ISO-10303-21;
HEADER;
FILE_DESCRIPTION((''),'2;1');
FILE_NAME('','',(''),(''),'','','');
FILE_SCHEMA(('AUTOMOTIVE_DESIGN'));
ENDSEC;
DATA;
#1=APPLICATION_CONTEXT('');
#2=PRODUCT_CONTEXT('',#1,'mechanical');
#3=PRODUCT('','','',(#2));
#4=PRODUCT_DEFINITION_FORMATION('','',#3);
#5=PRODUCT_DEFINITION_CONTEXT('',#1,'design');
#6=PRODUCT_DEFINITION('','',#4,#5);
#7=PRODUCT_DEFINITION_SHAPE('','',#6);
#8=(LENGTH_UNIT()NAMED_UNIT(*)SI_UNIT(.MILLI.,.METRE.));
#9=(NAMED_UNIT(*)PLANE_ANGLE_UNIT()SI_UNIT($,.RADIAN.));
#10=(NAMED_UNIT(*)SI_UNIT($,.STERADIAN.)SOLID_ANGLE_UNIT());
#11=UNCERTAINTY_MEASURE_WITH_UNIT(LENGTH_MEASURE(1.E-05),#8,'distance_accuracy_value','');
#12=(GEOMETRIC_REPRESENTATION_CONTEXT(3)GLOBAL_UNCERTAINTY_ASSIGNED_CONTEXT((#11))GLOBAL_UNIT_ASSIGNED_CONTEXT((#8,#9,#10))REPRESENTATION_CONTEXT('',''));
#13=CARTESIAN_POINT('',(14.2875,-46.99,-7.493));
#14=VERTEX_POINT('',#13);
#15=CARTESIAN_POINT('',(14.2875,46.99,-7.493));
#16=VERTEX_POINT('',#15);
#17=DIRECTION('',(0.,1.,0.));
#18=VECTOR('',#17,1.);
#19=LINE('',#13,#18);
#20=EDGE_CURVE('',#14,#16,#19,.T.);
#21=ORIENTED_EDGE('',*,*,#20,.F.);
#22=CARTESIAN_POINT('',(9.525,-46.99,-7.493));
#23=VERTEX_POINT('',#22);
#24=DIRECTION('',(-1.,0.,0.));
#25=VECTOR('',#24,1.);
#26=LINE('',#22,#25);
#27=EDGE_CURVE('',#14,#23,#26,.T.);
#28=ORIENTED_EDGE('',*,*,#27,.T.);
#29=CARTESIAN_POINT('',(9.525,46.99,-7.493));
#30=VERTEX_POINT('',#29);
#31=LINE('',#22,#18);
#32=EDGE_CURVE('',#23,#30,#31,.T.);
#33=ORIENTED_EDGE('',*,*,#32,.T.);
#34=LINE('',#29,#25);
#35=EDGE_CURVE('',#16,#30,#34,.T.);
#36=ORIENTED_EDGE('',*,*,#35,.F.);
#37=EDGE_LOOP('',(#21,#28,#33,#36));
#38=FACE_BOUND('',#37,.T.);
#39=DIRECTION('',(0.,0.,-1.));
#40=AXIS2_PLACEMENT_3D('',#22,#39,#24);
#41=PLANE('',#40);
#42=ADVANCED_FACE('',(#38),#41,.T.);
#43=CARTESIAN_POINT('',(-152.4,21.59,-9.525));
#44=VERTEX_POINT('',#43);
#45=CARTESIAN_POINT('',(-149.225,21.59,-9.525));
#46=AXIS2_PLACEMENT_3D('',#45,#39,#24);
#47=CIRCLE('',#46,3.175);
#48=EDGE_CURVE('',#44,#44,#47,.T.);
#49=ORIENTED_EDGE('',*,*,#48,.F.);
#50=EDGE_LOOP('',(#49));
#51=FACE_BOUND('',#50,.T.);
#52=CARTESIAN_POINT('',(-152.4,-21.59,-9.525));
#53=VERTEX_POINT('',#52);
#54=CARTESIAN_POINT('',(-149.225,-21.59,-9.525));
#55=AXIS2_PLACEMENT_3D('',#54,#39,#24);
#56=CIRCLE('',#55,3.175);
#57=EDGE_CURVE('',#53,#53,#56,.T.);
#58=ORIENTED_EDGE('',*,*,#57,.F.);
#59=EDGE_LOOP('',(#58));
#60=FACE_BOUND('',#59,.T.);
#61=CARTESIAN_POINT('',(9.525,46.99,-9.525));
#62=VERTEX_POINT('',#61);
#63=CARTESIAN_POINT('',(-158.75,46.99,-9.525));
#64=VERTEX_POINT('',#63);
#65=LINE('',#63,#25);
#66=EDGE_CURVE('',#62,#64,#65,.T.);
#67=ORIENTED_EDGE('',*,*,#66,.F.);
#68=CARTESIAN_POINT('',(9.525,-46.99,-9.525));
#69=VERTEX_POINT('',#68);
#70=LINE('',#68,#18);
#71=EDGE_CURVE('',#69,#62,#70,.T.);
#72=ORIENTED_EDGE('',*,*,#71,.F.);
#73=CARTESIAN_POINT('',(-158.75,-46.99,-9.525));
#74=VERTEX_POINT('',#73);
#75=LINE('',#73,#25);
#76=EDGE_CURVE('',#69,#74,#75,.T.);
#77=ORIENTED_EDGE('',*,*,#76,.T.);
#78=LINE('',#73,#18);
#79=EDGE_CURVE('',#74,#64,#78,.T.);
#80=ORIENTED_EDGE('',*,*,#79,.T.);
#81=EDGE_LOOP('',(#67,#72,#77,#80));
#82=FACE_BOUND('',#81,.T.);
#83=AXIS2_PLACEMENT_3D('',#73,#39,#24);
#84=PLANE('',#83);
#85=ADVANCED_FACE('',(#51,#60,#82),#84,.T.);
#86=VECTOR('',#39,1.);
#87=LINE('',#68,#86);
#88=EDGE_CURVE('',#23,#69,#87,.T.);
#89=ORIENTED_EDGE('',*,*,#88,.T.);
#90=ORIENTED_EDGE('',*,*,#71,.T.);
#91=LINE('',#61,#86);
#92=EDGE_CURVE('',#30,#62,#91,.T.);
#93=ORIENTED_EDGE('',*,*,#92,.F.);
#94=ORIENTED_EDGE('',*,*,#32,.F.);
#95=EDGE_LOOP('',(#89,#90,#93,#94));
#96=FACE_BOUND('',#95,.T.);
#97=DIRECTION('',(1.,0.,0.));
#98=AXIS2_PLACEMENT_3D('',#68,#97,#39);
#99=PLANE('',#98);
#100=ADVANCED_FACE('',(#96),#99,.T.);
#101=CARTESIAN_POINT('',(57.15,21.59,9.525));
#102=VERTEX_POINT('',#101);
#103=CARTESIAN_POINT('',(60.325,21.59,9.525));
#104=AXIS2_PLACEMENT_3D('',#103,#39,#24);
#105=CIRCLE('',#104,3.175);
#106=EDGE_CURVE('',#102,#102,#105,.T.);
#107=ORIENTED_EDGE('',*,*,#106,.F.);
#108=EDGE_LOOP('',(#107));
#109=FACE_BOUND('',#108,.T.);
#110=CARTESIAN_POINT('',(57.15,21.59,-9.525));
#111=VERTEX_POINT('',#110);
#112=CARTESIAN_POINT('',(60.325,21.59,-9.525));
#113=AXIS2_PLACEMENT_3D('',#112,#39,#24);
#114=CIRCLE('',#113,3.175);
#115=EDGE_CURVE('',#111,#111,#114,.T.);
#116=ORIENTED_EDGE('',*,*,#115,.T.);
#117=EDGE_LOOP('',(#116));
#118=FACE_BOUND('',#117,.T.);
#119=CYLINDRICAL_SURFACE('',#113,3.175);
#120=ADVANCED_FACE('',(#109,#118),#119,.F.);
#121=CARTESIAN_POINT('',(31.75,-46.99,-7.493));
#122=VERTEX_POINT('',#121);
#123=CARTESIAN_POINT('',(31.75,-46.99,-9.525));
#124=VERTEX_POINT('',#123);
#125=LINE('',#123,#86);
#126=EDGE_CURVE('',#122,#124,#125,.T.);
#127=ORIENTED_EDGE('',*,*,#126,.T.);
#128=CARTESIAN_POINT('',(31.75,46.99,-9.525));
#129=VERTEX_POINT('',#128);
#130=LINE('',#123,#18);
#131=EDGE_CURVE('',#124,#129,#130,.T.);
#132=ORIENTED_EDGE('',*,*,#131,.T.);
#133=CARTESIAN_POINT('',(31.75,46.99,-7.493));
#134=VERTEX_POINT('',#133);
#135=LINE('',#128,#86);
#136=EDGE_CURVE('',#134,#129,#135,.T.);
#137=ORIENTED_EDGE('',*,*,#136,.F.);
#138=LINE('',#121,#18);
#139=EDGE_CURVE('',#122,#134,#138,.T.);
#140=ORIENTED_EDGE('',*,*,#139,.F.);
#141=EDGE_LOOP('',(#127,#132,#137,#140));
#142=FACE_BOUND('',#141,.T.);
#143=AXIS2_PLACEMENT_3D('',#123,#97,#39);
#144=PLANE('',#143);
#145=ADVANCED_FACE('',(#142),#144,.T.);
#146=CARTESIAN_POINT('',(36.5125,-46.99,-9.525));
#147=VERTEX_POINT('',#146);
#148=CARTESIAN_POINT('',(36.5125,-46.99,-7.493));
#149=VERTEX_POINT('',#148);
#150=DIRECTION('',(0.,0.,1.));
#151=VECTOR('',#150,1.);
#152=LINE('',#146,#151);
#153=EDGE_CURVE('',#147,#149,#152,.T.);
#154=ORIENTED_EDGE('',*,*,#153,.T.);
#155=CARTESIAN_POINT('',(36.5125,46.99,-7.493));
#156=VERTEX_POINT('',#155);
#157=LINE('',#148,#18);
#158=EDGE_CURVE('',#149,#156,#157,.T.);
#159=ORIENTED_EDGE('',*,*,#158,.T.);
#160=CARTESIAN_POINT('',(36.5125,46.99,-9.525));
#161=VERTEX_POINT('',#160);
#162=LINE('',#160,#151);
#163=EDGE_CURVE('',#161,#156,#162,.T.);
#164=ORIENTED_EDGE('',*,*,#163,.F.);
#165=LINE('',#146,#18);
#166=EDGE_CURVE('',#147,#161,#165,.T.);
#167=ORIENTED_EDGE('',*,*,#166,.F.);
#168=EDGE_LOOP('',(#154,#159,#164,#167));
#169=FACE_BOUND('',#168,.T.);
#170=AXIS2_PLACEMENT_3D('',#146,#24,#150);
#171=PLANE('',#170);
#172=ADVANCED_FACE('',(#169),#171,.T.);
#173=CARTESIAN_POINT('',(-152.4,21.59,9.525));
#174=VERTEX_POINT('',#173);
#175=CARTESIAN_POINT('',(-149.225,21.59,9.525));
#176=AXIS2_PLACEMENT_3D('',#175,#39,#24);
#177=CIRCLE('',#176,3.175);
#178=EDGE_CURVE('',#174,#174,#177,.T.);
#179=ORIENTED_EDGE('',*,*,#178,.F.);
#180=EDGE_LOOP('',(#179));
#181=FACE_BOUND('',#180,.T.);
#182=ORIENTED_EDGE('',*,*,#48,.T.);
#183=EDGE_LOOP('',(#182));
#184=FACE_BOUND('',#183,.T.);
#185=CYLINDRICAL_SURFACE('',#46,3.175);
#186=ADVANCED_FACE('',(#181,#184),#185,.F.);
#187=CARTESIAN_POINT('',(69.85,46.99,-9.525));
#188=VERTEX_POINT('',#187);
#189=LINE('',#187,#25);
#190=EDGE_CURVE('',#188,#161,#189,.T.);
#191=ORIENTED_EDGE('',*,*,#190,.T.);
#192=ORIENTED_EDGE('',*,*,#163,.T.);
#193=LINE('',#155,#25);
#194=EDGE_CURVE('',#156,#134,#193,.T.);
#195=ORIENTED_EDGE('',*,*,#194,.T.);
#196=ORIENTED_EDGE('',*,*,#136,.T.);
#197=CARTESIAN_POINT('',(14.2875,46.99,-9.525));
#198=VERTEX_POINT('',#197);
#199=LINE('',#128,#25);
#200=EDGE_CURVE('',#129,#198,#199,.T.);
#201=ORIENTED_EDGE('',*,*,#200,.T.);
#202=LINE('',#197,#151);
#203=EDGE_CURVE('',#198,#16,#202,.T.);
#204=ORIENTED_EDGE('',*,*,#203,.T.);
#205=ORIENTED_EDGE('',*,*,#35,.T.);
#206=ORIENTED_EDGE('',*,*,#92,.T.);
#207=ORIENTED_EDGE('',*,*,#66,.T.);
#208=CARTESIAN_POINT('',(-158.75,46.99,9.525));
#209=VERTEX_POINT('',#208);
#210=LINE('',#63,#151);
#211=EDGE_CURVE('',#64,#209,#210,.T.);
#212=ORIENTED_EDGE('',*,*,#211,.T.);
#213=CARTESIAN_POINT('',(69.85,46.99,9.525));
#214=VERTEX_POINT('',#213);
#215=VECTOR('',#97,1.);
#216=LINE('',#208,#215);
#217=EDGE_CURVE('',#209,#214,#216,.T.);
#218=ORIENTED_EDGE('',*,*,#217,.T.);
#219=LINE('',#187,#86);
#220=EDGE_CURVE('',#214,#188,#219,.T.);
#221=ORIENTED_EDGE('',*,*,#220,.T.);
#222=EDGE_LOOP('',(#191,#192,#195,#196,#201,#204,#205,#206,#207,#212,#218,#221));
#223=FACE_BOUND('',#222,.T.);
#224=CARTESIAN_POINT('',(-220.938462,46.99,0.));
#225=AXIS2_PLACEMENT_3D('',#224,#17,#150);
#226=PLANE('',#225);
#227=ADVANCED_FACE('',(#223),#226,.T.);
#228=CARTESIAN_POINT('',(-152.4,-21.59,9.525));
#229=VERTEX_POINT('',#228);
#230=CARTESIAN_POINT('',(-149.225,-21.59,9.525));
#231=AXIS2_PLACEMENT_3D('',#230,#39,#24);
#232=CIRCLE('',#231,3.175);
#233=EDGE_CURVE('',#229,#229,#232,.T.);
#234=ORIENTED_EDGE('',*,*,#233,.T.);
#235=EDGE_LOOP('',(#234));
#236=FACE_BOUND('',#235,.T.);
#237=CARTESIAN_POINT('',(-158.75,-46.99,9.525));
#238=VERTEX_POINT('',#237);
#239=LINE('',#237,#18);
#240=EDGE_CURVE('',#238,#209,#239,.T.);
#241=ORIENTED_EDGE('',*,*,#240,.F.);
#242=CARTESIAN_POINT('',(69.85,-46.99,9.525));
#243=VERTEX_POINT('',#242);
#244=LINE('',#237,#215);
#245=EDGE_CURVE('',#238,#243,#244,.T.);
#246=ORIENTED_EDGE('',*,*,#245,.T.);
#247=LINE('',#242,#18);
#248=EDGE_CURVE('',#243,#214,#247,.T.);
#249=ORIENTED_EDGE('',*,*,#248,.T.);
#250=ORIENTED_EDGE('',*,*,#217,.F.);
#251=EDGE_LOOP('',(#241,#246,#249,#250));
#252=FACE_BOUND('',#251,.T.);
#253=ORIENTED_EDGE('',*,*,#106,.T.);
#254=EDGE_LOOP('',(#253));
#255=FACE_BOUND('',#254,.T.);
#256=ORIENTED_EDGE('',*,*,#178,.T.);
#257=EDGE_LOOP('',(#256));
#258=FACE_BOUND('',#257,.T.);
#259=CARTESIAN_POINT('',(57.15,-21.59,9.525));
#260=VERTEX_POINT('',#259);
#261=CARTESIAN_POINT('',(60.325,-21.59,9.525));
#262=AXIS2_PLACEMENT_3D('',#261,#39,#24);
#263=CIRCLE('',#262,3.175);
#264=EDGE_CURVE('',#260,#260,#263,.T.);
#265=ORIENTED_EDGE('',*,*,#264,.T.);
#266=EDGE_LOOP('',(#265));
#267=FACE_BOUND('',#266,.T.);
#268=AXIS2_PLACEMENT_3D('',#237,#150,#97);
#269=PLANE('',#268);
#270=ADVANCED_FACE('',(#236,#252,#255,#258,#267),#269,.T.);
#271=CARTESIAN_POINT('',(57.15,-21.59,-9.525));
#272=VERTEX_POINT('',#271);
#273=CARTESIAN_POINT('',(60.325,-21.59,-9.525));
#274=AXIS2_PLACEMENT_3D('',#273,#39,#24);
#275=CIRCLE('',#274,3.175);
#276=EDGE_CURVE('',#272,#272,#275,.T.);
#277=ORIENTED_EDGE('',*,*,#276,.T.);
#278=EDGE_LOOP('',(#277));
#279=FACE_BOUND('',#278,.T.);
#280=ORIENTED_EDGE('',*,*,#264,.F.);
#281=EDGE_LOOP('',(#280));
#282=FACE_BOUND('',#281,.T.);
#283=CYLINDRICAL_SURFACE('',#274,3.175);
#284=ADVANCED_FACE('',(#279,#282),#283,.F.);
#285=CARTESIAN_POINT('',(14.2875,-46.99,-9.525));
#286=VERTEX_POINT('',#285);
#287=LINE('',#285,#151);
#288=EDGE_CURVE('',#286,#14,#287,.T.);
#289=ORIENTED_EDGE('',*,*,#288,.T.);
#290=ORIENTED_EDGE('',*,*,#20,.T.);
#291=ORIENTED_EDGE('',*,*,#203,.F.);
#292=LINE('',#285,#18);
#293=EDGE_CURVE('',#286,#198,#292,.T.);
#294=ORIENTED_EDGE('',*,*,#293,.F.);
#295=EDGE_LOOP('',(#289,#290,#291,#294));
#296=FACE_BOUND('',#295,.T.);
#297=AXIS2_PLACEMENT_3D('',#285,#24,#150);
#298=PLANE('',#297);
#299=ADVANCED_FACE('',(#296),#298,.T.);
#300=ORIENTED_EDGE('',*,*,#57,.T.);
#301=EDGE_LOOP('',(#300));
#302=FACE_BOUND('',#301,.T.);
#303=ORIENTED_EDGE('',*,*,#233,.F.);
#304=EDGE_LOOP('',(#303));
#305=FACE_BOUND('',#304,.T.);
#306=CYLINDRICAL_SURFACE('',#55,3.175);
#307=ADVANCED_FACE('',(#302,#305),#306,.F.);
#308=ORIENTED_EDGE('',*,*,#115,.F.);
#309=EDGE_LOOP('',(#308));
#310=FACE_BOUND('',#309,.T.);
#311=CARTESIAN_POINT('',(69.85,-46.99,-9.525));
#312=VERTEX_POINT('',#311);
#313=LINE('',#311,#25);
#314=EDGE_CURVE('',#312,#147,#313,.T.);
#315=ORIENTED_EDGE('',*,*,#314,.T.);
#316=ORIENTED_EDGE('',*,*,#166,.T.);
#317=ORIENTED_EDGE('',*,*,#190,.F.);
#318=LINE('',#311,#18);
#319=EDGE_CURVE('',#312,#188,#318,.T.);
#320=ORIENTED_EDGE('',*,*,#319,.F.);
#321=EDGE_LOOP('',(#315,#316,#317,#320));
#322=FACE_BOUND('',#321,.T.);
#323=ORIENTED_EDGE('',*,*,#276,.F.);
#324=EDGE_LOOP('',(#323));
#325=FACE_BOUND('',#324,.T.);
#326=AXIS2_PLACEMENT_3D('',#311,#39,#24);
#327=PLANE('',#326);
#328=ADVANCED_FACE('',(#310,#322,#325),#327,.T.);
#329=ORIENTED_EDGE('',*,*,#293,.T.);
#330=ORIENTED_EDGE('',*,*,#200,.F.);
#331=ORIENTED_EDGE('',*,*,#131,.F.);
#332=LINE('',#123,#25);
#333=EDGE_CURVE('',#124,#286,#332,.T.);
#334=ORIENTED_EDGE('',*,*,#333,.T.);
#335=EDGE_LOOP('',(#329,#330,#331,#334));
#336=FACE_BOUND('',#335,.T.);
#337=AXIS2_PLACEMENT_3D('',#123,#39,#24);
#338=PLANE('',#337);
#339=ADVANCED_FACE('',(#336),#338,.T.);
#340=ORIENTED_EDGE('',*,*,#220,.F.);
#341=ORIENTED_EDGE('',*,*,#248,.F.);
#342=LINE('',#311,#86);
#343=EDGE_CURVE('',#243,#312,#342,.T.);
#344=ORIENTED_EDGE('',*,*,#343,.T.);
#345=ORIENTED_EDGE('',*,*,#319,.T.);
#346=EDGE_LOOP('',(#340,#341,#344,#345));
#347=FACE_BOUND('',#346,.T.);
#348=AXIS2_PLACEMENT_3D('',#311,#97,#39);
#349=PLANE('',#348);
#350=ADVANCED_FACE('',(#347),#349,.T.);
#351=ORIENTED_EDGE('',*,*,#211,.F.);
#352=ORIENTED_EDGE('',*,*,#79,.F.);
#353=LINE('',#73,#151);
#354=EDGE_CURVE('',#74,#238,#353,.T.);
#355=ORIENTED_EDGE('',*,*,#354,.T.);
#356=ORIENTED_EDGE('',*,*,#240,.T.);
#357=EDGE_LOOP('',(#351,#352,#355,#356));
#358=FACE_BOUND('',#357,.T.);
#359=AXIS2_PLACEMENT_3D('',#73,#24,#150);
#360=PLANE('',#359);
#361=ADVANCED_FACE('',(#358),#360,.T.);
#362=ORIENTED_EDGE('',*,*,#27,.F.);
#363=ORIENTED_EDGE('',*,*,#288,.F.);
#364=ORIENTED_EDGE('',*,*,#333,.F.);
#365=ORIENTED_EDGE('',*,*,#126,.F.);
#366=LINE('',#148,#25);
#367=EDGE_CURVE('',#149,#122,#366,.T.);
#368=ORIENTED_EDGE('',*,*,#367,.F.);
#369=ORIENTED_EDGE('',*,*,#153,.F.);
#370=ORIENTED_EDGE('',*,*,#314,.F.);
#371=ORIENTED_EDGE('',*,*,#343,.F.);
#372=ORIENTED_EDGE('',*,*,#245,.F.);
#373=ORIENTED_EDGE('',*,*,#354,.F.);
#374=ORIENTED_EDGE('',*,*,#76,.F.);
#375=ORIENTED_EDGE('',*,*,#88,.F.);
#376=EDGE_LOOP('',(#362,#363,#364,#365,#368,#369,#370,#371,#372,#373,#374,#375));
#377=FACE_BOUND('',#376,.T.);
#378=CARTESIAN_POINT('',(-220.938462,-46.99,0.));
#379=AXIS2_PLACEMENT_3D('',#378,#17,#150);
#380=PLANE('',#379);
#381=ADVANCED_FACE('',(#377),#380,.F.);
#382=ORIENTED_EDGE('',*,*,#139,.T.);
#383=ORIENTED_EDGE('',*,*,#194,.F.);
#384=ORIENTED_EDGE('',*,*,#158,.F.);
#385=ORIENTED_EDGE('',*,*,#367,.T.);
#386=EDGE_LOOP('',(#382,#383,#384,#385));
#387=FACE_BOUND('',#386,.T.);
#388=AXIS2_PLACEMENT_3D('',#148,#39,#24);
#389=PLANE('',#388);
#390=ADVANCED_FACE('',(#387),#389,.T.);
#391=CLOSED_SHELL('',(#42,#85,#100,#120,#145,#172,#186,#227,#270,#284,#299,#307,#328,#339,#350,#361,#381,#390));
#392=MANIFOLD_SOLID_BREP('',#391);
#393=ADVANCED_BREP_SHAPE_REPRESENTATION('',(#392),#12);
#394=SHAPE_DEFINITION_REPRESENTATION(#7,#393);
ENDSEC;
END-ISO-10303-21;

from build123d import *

# Parameters (mm, degrees)
BOSS_EXTRUDE2_DEPTH = 46.99


with BuildPart() as part:
    # 3DSketch2 → Boss-Extrude2 (new, symmetric)
    with BuildSketch(Plane(origin=(69.85, 0, -9.525), x_dir=(-0.9965457582448797, 0, 0.08304547985373997), z_dir=(0, 1, 0))):
        Polygon((0, 0), (33.222344215, -2.768528685), (33.391092631, -0.743547704), (38.137141804, -1.139051802), (37.968393389, -3.164032782), (55.370573692, -4.614214474), (55.539322108, -2.589233494), (60.285371281, -2.984737591), (60.116622866, -5.009718572), (227.810360335, -18.984196695), (229.392376726, 0), (1.582016391, 18.984196695), align=None)
    extrude(amount=BOSS_EXTRUDE2_DEPTH, both=True)

    # Sketch1 → 1/4 (0.25) Diameter Hole1 (revolve, cut)
    with BuildSketch(Plane(origin=(-149.225, -21.59, -9.525), x_dir=(0, 1, 0), z_dir=(1, 0, 0))):
        Polygon((0, 0), (0, 20.957732465), (3.175, 19.05), (3.175, 0), align=None)
    f_1_4_0_25_diameter_hole1 = revolve(axis=Axis((-149.225, -21.59, -15.875), (0, 0, 1)), mode=Mode.SUBTRACT)

    # Mirror1: 1/4 (0.25) Diameter Hole1 across plane
    add(f_1_4_0_25_diameter_hole1.mirror(Plane.ZX), mode=Mode.SUBTRACT)

    # Sketch3 → 1/4 (0.25) Diameter Hole2 (revolve, cut)
    with BuildSketch(Plane(origin=(60.325, -21.59, -9.525), x_dir=(0, 1, 0), z_dir=(1, 0, 0))):
        Polygon((0, 0), (0, 20.957732465), (3.175, 19.05), (3.175, 0), align=None)
    f_1_4_0_25_diameter_hole2 = revolve(axis=Axis((60.325, -21.59, -15.875), (0, 0, 1)), mode=Mode.SUBTRACT)

    # Mirror2: 1/4 (0.25) Diameter Hole2 across plane
    add(f_1_4_0_25_diameter_hole2.mirror(Plane.ZX), mode=Mode.SUBTRACT)


solid = part.part
